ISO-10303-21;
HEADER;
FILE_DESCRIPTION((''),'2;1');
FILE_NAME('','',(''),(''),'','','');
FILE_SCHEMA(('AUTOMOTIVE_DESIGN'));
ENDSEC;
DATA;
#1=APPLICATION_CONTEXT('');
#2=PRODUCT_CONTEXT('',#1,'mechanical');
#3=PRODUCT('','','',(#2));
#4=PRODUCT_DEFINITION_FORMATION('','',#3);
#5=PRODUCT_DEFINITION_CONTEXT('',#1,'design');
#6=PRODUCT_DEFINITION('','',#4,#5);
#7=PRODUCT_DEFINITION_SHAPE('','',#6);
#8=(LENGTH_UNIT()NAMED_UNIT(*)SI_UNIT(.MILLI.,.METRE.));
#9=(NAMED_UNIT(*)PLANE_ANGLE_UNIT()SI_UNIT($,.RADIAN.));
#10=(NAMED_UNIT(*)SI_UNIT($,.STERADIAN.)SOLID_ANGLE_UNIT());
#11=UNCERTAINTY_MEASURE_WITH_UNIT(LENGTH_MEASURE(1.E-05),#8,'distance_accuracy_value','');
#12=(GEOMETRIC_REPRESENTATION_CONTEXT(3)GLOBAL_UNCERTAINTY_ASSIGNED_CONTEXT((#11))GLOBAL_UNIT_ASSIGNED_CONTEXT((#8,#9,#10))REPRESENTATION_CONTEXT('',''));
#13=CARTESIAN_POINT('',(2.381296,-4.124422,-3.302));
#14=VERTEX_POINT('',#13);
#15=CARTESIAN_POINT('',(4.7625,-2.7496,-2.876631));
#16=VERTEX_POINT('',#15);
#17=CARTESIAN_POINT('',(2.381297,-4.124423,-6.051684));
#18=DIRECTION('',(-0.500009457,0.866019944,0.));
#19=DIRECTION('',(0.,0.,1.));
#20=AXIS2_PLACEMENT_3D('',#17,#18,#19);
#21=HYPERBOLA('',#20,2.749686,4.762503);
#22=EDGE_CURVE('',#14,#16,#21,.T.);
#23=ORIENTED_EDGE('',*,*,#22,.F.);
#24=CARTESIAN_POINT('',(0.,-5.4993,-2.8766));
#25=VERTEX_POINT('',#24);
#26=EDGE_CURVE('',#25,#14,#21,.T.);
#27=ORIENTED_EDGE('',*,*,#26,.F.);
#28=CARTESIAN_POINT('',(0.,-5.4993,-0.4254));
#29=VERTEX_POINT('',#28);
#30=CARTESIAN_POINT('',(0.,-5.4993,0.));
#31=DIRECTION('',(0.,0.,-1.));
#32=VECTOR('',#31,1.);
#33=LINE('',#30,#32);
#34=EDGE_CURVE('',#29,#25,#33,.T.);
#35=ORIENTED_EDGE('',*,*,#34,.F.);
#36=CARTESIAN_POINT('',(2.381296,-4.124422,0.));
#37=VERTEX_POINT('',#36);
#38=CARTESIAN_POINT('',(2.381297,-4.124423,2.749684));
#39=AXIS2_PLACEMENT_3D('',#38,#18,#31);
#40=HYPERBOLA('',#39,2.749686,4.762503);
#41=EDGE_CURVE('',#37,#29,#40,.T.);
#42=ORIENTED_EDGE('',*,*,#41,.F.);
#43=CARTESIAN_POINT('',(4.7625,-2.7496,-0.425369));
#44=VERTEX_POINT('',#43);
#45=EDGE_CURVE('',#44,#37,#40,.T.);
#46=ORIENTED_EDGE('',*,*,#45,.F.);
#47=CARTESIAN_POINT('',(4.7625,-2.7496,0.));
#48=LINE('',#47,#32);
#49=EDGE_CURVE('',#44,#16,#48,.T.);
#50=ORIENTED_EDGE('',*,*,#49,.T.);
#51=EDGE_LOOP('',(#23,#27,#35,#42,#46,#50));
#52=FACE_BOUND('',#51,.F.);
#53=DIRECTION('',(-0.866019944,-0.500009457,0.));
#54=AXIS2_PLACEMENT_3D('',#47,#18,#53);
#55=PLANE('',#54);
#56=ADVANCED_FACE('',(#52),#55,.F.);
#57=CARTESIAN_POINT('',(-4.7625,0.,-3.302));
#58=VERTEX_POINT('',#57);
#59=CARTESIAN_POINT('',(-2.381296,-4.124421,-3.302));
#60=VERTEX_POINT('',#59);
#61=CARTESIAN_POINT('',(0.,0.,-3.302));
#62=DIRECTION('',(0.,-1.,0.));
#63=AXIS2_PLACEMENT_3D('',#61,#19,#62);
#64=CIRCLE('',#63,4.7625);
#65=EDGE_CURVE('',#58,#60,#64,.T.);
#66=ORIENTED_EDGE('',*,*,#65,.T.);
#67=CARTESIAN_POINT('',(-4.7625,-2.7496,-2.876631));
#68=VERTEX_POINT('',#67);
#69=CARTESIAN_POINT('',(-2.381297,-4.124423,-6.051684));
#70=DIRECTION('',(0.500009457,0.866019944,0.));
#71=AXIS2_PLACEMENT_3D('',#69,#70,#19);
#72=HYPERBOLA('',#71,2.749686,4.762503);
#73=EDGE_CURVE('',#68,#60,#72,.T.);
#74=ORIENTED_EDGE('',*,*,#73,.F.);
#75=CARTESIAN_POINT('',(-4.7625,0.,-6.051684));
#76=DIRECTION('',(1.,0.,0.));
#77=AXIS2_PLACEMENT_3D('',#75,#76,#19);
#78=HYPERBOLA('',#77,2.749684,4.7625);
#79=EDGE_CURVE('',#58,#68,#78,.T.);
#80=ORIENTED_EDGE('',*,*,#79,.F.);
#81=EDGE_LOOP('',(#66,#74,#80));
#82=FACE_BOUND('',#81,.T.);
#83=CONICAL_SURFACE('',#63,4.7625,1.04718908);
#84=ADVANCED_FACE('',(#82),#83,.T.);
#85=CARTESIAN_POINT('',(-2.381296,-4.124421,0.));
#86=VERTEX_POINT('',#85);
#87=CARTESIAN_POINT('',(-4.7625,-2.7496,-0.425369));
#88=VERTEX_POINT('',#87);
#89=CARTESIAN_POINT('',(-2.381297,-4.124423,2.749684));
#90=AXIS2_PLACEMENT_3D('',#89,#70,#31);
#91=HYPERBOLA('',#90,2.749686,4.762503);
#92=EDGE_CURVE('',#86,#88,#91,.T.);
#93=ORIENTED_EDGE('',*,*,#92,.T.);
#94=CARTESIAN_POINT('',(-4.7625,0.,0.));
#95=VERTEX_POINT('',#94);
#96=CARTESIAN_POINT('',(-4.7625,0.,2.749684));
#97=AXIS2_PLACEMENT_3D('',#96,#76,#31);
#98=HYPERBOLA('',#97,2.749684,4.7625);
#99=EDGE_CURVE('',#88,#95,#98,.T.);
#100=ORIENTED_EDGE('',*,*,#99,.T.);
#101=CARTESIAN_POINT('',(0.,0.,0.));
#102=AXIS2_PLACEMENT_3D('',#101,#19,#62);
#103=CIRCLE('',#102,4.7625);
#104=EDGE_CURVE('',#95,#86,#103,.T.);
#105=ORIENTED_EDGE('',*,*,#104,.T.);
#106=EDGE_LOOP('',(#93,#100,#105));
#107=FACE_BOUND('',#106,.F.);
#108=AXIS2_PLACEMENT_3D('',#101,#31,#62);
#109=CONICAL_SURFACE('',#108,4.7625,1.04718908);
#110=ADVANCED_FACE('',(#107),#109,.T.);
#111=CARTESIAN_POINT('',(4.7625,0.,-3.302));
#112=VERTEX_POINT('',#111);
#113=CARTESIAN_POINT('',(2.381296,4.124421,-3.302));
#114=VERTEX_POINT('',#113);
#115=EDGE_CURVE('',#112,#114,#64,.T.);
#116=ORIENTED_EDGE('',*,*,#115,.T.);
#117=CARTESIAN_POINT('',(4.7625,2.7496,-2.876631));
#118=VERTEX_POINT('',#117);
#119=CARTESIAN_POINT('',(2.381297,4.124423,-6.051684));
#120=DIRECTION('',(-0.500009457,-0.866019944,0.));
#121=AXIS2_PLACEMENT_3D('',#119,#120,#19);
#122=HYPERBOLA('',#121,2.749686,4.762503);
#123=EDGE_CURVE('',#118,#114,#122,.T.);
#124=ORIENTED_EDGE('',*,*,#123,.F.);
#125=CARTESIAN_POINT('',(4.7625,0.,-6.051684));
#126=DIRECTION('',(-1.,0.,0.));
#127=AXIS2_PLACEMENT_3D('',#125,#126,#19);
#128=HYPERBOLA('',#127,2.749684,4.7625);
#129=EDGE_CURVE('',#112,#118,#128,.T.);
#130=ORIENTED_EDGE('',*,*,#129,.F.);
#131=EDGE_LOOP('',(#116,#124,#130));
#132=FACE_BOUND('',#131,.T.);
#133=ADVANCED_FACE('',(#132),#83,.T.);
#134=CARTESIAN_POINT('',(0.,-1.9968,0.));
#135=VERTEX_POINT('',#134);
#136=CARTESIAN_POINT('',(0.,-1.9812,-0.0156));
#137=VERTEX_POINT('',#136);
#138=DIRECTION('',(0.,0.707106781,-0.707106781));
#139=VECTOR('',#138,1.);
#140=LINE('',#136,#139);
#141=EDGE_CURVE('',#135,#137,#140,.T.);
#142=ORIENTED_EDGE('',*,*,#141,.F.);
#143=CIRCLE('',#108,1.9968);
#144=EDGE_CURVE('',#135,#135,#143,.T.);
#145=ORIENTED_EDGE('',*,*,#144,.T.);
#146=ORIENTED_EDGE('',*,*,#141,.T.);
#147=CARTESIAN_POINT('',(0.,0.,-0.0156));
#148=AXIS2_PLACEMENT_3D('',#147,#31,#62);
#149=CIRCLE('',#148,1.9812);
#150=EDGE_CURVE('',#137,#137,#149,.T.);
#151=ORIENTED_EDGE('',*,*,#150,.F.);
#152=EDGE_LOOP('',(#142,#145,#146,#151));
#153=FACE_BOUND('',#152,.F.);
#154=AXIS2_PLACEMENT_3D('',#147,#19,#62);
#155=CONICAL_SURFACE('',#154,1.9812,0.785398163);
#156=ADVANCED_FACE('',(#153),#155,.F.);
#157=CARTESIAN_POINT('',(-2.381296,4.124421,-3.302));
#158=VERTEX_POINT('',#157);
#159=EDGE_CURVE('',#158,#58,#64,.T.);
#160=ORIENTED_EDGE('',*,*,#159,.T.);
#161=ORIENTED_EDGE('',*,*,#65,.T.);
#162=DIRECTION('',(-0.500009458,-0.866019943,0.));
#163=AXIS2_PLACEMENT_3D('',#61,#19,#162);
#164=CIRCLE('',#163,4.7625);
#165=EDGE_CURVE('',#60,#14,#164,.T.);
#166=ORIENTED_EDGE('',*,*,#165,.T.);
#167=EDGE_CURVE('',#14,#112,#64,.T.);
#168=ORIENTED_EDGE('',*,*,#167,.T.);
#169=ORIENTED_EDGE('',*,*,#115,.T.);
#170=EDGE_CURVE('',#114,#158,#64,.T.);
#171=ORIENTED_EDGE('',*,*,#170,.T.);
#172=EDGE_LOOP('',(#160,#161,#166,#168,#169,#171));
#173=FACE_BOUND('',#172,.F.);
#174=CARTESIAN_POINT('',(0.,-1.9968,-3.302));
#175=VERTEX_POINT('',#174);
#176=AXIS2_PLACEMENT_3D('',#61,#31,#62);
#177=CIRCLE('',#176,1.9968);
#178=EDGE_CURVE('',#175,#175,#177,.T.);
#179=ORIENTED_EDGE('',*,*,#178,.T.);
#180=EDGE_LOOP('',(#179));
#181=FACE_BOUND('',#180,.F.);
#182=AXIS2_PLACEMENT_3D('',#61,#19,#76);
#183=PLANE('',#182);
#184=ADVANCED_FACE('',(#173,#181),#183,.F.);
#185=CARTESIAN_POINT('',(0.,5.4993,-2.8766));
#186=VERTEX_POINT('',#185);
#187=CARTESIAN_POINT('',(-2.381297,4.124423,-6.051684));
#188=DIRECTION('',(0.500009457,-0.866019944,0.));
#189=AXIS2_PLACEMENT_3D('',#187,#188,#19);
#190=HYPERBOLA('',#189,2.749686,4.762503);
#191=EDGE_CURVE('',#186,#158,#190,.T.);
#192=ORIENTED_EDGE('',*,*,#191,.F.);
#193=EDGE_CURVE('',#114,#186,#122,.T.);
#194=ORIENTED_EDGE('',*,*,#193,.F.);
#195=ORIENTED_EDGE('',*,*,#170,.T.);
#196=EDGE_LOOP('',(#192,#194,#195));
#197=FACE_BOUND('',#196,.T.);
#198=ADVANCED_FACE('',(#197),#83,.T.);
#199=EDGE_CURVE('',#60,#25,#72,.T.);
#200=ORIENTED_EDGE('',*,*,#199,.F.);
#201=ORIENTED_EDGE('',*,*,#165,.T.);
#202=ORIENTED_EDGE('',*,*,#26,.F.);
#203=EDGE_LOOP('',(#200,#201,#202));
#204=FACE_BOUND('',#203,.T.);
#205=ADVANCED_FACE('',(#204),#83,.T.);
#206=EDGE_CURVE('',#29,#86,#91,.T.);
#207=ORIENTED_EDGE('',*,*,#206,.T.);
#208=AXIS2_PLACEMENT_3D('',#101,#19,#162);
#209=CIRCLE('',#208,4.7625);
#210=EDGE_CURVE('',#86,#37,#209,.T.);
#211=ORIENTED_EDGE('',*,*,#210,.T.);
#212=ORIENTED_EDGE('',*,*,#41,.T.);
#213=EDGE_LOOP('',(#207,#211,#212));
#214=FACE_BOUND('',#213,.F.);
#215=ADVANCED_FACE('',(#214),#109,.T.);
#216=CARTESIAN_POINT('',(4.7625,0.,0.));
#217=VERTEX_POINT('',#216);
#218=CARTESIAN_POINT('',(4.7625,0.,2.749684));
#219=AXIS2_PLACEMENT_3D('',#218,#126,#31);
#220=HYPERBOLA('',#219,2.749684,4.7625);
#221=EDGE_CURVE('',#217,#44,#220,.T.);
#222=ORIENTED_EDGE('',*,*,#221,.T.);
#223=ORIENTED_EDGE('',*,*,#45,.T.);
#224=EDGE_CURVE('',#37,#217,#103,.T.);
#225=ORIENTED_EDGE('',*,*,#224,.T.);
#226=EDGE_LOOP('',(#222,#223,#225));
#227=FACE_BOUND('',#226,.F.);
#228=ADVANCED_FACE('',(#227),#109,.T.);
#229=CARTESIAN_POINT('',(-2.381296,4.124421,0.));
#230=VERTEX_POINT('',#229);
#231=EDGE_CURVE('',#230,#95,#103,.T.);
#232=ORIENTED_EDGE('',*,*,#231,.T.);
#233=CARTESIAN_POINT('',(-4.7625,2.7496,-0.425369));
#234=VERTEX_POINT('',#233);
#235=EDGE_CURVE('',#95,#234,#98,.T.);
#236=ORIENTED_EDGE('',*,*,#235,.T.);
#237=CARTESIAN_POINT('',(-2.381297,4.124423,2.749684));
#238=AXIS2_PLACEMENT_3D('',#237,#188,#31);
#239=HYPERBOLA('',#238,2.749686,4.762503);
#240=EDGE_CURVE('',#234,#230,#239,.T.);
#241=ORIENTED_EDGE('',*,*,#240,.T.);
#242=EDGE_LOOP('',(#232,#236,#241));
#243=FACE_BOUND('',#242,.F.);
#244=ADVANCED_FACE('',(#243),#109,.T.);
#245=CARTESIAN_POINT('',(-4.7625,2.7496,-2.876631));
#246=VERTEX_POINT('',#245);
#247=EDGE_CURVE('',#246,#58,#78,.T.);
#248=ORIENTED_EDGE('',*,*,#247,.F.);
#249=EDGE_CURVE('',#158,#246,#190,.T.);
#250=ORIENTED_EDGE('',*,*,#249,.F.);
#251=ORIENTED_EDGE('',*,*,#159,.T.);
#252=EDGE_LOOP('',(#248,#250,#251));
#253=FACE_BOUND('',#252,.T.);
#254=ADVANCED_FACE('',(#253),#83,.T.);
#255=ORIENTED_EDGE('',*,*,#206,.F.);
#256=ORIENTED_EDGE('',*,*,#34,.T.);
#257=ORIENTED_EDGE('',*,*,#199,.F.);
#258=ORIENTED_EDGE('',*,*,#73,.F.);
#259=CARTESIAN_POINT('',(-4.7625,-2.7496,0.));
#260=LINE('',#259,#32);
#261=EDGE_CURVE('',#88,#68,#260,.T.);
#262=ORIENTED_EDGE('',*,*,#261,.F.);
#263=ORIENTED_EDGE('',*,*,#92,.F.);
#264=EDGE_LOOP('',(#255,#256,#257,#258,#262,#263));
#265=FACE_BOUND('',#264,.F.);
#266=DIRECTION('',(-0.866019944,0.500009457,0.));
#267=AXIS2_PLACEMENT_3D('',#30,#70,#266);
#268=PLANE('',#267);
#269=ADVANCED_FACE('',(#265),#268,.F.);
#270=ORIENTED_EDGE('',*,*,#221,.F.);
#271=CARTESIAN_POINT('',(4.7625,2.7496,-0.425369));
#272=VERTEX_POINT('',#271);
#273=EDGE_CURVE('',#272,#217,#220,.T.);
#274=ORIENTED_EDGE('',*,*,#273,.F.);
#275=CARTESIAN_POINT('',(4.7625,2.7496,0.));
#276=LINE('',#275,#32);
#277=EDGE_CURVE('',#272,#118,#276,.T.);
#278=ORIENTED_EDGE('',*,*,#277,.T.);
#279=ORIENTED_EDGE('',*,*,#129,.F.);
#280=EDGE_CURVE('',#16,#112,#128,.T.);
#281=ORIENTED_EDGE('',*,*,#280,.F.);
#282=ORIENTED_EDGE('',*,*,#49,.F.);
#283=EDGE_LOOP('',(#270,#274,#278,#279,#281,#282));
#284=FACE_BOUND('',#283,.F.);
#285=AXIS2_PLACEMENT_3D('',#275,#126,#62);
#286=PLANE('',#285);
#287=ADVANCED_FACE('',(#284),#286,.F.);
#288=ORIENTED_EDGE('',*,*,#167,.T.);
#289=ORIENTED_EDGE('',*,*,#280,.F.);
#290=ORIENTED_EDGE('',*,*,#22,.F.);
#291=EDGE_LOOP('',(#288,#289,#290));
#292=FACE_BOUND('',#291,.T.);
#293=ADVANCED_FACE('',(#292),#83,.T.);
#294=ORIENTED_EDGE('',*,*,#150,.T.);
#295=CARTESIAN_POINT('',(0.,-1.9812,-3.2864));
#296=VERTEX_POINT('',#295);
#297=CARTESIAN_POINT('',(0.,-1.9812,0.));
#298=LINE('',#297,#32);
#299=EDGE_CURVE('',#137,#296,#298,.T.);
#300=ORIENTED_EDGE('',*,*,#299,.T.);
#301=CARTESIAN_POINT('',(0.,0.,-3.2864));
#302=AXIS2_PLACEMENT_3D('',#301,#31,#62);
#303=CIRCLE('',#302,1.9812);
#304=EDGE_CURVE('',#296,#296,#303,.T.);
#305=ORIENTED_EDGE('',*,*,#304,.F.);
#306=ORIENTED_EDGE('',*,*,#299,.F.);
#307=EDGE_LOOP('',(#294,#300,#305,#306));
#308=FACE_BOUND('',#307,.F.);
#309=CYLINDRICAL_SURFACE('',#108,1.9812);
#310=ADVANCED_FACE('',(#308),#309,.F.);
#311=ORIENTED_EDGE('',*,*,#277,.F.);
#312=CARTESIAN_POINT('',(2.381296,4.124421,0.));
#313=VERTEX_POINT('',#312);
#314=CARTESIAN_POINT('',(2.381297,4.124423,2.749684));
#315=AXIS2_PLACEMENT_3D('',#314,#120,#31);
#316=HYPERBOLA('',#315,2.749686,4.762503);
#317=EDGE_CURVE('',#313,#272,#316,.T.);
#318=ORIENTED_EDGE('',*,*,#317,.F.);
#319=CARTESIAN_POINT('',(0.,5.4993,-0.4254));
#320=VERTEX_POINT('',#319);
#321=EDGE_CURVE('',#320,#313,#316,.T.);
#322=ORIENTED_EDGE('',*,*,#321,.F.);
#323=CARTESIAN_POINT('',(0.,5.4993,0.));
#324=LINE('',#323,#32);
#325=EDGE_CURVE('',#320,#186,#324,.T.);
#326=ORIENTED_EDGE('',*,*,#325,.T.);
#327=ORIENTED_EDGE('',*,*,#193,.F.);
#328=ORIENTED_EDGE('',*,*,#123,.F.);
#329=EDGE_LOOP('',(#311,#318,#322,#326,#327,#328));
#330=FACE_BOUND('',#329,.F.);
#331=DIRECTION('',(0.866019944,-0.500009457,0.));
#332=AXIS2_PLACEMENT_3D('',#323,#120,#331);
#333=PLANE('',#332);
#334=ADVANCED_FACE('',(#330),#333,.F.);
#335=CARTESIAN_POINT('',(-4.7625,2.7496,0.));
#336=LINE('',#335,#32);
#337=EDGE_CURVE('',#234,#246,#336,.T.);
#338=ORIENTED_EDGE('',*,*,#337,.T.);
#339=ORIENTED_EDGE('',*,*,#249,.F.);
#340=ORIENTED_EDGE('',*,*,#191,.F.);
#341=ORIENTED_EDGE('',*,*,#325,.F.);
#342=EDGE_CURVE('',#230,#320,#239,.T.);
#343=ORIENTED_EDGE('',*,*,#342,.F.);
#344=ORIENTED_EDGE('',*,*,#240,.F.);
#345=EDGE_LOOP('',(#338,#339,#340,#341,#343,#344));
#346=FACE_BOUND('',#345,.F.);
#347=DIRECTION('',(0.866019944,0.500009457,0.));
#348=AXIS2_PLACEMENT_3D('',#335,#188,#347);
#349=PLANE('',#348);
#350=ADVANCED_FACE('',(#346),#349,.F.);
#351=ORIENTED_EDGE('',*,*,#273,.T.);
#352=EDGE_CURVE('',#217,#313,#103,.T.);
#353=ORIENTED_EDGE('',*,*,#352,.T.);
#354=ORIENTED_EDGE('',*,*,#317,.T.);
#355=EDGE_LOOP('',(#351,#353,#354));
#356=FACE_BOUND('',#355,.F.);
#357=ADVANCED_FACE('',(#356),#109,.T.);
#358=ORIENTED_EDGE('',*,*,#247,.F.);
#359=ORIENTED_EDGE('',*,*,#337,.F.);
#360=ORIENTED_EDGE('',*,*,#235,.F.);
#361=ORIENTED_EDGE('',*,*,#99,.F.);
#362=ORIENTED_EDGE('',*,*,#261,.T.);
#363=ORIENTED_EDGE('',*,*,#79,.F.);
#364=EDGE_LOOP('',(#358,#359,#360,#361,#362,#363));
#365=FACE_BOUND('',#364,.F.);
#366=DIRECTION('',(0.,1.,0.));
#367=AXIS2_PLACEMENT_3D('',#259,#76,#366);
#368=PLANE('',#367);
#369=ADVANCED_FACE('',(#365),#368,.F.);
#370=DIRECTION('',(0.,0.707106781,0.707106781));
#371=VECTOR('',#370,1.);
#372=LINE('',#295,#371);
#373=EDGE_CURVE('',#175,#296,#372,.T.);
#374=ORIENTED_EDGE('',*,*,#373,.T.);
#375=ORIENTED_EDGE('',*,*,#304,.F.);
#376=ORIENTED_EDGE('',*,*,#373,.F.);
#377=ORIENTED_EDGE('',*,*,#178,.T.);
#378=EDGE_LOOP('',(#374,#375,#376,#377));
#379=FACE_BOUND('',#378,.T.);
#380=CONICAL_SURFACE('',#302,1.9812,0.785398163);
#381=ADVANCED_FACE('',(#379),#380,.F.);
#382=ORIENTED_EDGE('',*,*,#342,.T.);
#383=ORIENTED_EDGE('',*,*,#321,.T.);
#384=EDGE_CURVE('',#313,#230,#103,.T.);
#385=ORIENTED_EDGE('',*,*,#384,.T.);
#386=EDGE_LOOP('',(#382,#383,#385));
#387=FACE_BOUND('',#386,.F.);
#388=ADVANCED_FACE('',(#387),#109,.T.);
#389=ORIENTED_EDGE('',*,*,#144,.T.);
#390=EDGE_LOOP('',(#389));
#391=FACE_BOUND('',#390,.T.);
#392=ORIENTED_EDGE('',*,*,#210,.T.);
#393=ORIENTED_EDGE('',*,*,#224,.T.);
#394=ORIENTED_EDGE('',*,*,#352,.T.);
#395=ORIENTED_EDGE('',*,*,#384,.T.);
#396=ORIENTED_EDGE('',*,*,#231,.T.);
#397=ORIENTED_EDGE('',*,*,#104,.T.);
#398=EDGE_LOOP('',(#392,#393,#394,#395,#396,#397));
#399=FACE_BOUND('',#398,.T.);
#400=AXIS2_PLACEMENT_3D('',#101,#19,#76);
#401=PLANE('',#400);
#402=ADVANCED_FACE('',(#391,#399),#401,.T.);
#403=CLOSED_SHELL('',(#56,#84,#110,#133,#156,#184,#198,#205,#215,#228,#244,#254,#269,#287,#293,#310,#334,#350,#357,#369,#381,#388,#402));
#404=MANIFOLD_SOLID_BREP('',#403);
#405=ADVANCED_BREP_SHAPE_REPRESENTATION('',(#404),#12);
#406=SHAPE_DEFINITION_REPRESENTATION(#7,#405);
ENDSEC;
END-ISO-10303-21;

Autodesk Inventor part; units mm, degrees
ref_plane "YZ Plane" through (0, 0, 0) normal (1, 0, 0) x (0, 1, 0)
sketch "Sketch7" plane through (0, 0, 0) normal (0, 0, 1) x (1, 0, 0)
  circle A0 centre (0, 0) radius 4.7625 construction
  line L0 (-4.7625, -2.7496) -> (-4.7625, 2.7496)
  line L1 (-4.7625, 2.7496) -> (0, 5.4993)
  line L2 (0, 5.4993) -> (4.7625, 2.7496)
  line L3 (4.7625, 2.7496) -> (4.7625, -2.7496)
  line L4 (4.7625, -2.7496) -> (0, -5.4993)
  line L5 (0, -5.4993) -> (-4.7625, -2.7496)
  dimension "d40" = 9.525
extrude "Extrusion1" add sketch "Sketch7" against normal blind 3.302
sketch "Sketch11" plane through (0, 0, 0) normal (0, 0, 1) x (1, 0, 0)
  line L0 (0, 5.4993) -> (4.7625, 2.7496) projected
  line L1 (-4.7625, 2.7496) -> (0, 5.4993) projected
  line L2 (-4.7625, 2.7496) -> (4.7625, -2.7496) construction
  line L3 (-4.7625, -2.7496) -> (4.7625, 2.7496) construction
  point P0 (0, 0)
hole "Hole1" at (0, 0, 0) direction (0, 0, -1) diameter 3.9624 end through all thread size "10-32 UNF" class "2B" standard "ANSI Unified Screw Threads"
chamfer "Chamfer1" distance 0.0156 angle 45 2 edges at (0, 1.9812, 0) (0, 1.9812, -3.302)
sketch "Sketch9" plane through (0, 0, 0) normal (1, 0, 0) x (0, 1, 0)
  line L0 (-5.4993, -2.8766) -> (-5.4993, -3.302)
  line L1 (-5.4993, -3.302) -> (-4.7625, -3.302)
  line L2 (-4.7625, -3.302) -> (-5.4993, -2.8766)
  line L3 (0, -3.3871) -> (0, -2.7916) projected
  line L4 (-5.4993, -3.302) -> (-2.7496, -3.302) projected
  dimension "d38" = 9.525
  dimension "d41" = 150
revolve "Revolution1" cut sketch "Sketch9" angle 360 about axis through (0, 0, -10) along (0, 0, 1)
sketch "Sketch10" plane through (0, 0, 0) normal (1, 0, 0) x (0, 1, 0)
  line L0 (-5.4993, -0.4254) -> (-5.4993, 0)
  line L1 (-5.4993, 0) -> (-4.7625, 0)
  line L2 (-4.7625, 0) -> (-5.4993, -0.4254)
  line L3 (0, -0.5104) -> (0, 0.0851) projected
  line L4 (-2.7496, 0) -> (-5.4993, 0) projected
  dimension "d45" = 9.525
  dimension "d46" = 150
revolve "Revolution2" cut sketch "Sketch10" angle 360 about axis through (0, 0, -10) along (0, 0, 1)
ref_plane "MSC_PF1" through (0, 0, 0) normal (1, 0, 0) x (0, 1, 0)
ref_plane "MSC_PT1" through (0, 0, 0) normal (0, 0, 1) x (1, 0, 0)
equation "\"d38\" = Fbas"
equation "\"d40\" = Fbas"
equation "\"d29\" = Hbas"
equation "\"d63\" = 0.5 * PTC"
equation "\"d45\" = Fbas"
equation "\"Fbas\" = 9.525"
equation "\"Hbas\" = 3.302"
equation "\"NND\" = 4.826"
equation "\"THREADDIA\" = NND"
equation "\"PTC\" = 0.03125"
properties part number "ASME B18.6.3 - 10-32" material "Steel, Mild"
